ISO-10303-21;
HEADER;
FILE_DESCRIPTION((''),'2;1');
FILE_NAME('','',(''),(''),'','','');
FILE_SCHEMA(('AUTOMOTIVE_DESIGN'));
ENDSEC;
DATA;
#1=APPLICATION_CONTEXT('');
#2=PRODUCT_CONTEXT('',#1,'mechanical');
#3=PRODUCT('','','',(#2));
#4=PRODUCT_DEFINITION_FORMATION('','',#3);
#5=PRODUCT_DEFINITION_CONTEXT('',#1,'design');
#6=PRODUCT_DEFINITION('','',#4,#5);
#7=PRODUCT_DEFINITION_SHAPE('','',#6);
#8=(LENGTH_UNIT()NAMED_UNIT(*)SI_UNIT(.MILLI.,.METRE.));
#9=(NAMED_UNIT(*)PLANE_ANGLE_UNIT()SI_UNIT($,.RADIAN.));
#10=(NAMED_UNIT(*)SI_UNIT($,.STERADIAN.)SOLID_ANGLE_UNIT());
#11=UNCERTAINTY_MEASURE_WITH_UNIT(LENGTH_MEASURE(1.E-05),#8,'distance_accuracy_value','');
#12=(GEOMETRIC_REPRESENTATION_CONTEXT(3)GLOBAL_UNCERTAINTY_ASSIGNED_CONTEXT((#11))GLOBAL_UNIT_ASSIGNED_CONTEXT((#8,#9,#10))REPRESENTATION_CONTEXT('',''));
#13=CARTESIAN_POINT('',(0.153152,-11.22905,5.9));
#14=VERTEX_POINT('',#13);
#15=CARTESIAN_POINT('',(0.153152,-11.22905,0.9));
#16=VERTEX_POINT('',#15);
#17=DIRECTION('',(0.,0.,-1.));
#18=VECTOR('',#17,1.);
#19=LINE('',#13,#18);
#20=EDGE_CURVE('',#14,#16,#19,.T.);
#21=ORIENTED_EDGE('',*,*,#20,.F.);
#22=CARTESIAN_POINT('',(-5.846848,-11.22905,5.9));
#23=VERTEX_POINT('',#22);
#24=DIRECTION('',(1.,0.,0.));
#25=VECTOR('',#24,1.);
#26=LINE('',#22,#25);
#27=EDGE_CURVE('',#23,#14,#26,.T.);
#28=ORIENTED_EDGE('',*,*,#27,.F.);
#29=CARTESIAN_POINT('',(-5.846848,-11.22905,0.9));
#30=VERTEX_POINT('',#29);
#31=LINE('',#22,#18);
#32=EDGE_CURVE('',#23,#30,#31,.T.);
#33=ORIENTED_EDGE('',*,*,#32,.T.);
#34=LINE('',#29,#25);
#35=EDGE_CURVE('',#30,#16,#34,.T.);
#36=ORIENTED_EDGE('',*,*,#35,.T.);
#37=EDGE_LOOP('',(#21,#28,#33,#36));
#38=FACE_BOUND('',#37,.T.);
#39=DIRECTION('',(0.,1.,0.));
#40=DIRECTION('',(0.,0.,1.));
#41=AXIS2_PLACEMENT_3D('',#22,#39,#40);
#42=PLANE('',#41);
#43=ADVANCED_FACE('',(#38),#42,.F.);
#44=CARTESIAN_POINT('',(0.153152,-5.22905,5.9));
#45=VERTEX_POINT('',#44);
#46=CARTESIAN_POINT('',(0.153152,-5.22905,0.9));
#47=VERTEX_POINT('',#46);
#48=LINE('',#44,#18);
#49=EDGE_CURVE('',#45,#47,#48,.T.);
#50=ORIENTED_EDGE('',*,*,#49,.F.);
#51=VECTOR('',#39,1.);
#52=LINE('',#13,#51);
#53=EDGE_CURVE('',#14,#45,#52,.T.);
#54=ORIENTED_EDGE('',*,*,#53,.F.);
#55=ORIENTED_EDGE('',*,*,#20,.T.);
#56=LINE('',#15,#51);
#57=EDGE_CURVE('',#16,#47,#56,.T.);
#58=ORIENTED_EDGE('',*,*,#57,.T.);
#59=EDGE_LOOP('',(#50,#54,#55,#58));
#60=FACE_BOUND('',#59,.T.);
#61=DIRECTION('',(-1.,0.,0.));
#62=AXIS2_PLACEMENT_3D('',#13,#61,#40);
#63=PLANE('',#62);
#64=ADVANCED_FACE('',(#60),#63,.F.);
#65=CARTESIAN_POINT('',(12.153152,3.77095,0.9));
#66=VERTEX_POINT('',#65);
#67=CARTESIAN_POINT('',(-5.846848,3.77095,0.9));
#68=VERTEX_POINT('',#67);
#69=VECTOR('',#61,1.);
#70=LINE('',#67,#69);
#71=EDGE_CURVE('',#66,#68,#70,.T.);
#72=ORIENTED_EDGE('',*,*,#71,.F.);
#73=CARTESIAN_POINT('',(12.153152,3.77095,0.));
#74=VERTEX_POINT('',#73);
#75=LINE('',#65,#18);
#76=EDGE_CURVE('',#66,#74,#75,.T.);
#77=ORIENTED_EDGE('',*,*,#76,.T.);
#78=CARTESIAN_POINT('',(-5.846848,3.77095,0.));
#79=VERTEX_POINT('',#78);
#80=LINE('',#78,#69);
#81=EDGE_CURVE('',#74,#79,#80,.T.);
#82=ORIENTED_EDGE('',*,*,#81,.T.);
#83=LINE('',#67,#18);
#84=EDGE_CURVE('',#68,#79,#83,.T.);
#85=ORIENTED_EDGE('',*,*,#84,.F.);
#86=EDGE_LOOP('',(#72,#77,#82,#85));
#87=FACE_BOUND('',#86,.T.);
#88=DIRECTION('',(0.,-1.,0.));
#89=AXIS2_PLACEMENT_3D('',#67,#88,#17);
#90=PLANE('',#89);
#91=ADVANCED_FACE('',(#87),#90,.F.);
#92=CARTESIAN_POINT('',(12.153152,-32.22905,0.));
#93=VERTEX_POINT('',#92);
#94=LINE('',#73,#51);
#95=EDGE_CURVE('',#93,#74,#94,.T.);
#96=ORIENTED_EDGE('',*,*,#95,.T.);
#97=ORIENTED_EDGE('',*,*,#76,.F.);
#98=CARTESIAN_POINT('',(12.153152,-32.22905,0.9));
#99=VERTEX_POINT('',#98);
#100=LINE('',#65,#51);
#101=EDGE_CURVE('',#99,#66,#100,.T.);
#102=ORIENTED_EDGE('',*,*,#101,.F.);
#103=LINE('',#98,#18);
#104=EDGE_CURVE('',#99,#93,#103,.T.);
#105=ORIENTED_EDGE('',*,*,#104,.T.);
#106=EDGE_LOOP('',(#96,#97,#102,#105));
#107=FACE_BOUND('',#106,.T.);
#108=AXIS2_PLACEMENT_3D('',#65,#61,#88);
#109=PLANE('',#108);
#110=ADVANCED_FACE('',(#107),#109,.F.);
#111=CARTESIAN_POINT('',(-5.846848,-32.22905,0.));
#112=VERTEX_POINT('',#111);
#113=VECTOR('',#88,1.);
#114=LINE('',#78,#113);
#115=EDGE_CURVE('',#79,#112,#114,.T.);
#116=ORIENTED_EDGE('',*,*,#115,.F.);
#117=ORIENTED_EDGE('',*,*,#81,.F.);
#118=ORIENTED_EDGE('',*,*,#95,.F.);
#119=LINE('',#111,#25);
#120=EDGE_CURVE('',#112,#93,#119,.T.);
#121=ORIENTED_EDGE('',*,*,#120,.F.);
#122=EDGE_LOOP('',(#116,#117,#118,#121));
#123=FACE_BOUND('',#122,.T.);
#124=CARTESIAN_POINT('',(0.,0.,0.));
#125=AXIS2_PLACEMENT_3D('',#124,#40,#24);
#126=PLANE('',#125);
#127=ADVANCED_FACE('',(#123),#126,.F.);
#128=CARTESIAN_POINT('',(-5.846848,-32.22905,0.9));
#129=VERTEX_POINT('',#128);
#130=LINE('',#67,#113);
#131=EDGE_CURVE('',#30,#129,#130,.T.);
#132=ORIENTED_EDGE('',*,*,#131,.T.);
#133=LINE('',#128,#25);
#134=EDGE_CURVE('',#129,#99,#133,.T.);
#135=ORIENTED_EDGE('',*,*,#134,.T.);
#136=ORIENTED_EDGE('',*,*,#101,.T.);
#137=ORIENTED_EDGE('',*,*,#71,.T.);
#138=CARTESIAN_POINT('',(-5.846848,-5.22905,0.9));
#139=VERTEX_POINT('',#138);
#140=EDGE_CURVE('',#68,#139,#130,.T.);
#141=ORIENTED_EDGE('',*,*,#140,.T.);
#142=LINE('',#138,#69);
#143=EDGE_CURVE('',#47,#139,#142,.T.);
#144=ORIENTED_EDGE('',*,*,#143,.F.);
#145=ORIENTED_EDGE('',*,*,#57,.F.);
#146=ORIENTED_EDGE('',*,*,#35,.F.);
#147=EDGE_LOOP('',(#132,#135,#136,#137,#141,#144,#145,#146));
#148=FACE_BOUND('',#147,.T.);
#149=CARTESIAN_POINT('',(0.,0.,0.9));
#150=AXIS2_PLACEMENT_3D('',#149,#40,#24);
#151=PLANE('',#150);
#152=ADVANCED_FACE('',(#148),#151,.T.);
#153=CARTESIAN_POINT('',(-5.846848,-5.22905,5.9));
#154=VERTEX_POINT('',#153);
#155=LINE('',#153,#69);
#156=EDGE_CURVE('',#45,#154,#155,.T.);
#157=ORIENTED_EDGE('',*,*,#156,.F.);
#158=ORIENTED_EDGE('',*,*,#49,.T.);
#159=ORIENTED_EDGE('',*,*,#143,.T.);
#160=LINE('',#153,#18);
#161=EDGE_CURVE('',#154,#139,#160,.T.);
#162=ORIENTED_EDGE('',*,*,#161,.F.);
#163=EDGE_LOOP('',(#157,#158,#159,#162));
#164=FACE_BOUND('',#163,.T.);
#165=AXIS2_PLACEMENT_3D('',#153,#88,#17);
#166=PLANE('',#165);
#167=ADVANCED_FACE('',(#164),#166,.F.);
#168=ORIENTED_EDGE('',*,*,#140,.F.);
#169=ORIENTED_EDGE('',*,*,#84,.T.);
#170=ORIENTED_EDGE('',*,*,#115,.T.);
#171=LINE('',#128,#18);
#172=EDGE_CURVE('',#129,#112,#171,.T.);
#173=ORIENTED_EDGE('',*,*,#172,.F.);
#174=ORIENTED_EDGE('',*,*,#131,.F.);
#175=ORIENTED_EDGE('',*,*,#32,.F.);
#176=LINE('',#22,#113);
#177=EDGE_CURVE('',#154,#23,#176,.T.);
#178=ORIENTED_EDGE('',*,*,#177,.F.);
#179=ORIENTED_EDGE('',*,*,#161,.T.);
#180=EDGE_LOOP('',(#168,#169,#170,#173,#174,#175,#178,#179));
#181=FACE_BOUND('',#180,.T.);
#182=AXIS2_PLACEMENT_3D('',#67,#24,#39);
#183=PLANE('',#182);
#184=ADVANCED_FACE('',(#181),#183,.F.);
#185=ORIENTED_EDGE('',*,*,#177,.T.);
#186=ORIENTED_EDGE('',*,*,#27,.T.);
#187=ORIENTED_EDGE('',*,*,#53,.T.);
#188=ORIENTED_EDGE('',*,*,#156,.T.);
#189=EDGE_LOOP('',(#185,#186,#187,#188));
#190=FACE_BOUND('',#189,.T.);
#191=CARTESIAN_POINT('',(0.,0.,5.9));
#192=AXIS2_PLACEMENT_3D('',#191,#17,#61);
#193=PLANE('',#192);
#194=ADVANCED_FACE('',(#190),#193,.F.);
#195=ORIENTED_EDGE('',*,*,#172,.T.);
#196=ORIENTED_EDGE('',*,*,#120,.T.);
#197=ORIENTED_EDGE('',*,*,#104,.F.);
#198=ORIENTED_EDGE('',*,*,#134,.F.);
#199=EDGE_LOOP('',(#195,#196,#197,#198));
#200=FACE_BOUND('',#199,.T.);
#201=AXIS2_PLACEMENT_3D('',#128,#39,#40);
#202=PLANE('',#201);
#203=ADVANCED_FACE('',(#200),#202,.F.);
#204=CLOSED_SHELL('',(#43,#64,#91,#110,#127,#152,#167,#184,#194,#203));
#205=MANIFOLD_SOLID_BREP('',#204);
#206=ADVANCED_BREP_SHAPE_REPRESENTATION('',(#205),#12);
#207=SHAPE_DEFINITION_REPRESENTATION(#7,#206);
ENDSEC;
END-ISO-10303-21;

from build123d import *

# Parameters (mm, degrees)
CROQUIS1_W              = 18
CROQUIS1_H              = 36
SALIENTE_EXTRUIR1_DEPTH = 0.9
CROQUIS2_W              = 6
CROQUIS2_H              = 6
SALIENTE_EXTRUIR2_DEPTH = 5


with BuildPart() as part:
    # Croquis1 → Saliente-Extruir1 (new body)
    with BuildSketch(Plane.XY):
        with Locations((3.153152256, -14.229050279)):
            Rectangle(CROQUIS1_W, CROQUIS1_H)
    extrude(amount=SALIENTE_EXTRUIR1_DEPTH)

    # Croquis2 → Saliente-Extruir2 (add)
    with BuildSketch(Plane.XY.offset(0.9)):
        with Locations((-2.846847744, -8.229050279)):
            Rectangle(CROQUIS2_W, CROQUIS2_H)
    extrude(amount=SALIENTE_EXTRUIR2_DEPTH)


solid = part.part
